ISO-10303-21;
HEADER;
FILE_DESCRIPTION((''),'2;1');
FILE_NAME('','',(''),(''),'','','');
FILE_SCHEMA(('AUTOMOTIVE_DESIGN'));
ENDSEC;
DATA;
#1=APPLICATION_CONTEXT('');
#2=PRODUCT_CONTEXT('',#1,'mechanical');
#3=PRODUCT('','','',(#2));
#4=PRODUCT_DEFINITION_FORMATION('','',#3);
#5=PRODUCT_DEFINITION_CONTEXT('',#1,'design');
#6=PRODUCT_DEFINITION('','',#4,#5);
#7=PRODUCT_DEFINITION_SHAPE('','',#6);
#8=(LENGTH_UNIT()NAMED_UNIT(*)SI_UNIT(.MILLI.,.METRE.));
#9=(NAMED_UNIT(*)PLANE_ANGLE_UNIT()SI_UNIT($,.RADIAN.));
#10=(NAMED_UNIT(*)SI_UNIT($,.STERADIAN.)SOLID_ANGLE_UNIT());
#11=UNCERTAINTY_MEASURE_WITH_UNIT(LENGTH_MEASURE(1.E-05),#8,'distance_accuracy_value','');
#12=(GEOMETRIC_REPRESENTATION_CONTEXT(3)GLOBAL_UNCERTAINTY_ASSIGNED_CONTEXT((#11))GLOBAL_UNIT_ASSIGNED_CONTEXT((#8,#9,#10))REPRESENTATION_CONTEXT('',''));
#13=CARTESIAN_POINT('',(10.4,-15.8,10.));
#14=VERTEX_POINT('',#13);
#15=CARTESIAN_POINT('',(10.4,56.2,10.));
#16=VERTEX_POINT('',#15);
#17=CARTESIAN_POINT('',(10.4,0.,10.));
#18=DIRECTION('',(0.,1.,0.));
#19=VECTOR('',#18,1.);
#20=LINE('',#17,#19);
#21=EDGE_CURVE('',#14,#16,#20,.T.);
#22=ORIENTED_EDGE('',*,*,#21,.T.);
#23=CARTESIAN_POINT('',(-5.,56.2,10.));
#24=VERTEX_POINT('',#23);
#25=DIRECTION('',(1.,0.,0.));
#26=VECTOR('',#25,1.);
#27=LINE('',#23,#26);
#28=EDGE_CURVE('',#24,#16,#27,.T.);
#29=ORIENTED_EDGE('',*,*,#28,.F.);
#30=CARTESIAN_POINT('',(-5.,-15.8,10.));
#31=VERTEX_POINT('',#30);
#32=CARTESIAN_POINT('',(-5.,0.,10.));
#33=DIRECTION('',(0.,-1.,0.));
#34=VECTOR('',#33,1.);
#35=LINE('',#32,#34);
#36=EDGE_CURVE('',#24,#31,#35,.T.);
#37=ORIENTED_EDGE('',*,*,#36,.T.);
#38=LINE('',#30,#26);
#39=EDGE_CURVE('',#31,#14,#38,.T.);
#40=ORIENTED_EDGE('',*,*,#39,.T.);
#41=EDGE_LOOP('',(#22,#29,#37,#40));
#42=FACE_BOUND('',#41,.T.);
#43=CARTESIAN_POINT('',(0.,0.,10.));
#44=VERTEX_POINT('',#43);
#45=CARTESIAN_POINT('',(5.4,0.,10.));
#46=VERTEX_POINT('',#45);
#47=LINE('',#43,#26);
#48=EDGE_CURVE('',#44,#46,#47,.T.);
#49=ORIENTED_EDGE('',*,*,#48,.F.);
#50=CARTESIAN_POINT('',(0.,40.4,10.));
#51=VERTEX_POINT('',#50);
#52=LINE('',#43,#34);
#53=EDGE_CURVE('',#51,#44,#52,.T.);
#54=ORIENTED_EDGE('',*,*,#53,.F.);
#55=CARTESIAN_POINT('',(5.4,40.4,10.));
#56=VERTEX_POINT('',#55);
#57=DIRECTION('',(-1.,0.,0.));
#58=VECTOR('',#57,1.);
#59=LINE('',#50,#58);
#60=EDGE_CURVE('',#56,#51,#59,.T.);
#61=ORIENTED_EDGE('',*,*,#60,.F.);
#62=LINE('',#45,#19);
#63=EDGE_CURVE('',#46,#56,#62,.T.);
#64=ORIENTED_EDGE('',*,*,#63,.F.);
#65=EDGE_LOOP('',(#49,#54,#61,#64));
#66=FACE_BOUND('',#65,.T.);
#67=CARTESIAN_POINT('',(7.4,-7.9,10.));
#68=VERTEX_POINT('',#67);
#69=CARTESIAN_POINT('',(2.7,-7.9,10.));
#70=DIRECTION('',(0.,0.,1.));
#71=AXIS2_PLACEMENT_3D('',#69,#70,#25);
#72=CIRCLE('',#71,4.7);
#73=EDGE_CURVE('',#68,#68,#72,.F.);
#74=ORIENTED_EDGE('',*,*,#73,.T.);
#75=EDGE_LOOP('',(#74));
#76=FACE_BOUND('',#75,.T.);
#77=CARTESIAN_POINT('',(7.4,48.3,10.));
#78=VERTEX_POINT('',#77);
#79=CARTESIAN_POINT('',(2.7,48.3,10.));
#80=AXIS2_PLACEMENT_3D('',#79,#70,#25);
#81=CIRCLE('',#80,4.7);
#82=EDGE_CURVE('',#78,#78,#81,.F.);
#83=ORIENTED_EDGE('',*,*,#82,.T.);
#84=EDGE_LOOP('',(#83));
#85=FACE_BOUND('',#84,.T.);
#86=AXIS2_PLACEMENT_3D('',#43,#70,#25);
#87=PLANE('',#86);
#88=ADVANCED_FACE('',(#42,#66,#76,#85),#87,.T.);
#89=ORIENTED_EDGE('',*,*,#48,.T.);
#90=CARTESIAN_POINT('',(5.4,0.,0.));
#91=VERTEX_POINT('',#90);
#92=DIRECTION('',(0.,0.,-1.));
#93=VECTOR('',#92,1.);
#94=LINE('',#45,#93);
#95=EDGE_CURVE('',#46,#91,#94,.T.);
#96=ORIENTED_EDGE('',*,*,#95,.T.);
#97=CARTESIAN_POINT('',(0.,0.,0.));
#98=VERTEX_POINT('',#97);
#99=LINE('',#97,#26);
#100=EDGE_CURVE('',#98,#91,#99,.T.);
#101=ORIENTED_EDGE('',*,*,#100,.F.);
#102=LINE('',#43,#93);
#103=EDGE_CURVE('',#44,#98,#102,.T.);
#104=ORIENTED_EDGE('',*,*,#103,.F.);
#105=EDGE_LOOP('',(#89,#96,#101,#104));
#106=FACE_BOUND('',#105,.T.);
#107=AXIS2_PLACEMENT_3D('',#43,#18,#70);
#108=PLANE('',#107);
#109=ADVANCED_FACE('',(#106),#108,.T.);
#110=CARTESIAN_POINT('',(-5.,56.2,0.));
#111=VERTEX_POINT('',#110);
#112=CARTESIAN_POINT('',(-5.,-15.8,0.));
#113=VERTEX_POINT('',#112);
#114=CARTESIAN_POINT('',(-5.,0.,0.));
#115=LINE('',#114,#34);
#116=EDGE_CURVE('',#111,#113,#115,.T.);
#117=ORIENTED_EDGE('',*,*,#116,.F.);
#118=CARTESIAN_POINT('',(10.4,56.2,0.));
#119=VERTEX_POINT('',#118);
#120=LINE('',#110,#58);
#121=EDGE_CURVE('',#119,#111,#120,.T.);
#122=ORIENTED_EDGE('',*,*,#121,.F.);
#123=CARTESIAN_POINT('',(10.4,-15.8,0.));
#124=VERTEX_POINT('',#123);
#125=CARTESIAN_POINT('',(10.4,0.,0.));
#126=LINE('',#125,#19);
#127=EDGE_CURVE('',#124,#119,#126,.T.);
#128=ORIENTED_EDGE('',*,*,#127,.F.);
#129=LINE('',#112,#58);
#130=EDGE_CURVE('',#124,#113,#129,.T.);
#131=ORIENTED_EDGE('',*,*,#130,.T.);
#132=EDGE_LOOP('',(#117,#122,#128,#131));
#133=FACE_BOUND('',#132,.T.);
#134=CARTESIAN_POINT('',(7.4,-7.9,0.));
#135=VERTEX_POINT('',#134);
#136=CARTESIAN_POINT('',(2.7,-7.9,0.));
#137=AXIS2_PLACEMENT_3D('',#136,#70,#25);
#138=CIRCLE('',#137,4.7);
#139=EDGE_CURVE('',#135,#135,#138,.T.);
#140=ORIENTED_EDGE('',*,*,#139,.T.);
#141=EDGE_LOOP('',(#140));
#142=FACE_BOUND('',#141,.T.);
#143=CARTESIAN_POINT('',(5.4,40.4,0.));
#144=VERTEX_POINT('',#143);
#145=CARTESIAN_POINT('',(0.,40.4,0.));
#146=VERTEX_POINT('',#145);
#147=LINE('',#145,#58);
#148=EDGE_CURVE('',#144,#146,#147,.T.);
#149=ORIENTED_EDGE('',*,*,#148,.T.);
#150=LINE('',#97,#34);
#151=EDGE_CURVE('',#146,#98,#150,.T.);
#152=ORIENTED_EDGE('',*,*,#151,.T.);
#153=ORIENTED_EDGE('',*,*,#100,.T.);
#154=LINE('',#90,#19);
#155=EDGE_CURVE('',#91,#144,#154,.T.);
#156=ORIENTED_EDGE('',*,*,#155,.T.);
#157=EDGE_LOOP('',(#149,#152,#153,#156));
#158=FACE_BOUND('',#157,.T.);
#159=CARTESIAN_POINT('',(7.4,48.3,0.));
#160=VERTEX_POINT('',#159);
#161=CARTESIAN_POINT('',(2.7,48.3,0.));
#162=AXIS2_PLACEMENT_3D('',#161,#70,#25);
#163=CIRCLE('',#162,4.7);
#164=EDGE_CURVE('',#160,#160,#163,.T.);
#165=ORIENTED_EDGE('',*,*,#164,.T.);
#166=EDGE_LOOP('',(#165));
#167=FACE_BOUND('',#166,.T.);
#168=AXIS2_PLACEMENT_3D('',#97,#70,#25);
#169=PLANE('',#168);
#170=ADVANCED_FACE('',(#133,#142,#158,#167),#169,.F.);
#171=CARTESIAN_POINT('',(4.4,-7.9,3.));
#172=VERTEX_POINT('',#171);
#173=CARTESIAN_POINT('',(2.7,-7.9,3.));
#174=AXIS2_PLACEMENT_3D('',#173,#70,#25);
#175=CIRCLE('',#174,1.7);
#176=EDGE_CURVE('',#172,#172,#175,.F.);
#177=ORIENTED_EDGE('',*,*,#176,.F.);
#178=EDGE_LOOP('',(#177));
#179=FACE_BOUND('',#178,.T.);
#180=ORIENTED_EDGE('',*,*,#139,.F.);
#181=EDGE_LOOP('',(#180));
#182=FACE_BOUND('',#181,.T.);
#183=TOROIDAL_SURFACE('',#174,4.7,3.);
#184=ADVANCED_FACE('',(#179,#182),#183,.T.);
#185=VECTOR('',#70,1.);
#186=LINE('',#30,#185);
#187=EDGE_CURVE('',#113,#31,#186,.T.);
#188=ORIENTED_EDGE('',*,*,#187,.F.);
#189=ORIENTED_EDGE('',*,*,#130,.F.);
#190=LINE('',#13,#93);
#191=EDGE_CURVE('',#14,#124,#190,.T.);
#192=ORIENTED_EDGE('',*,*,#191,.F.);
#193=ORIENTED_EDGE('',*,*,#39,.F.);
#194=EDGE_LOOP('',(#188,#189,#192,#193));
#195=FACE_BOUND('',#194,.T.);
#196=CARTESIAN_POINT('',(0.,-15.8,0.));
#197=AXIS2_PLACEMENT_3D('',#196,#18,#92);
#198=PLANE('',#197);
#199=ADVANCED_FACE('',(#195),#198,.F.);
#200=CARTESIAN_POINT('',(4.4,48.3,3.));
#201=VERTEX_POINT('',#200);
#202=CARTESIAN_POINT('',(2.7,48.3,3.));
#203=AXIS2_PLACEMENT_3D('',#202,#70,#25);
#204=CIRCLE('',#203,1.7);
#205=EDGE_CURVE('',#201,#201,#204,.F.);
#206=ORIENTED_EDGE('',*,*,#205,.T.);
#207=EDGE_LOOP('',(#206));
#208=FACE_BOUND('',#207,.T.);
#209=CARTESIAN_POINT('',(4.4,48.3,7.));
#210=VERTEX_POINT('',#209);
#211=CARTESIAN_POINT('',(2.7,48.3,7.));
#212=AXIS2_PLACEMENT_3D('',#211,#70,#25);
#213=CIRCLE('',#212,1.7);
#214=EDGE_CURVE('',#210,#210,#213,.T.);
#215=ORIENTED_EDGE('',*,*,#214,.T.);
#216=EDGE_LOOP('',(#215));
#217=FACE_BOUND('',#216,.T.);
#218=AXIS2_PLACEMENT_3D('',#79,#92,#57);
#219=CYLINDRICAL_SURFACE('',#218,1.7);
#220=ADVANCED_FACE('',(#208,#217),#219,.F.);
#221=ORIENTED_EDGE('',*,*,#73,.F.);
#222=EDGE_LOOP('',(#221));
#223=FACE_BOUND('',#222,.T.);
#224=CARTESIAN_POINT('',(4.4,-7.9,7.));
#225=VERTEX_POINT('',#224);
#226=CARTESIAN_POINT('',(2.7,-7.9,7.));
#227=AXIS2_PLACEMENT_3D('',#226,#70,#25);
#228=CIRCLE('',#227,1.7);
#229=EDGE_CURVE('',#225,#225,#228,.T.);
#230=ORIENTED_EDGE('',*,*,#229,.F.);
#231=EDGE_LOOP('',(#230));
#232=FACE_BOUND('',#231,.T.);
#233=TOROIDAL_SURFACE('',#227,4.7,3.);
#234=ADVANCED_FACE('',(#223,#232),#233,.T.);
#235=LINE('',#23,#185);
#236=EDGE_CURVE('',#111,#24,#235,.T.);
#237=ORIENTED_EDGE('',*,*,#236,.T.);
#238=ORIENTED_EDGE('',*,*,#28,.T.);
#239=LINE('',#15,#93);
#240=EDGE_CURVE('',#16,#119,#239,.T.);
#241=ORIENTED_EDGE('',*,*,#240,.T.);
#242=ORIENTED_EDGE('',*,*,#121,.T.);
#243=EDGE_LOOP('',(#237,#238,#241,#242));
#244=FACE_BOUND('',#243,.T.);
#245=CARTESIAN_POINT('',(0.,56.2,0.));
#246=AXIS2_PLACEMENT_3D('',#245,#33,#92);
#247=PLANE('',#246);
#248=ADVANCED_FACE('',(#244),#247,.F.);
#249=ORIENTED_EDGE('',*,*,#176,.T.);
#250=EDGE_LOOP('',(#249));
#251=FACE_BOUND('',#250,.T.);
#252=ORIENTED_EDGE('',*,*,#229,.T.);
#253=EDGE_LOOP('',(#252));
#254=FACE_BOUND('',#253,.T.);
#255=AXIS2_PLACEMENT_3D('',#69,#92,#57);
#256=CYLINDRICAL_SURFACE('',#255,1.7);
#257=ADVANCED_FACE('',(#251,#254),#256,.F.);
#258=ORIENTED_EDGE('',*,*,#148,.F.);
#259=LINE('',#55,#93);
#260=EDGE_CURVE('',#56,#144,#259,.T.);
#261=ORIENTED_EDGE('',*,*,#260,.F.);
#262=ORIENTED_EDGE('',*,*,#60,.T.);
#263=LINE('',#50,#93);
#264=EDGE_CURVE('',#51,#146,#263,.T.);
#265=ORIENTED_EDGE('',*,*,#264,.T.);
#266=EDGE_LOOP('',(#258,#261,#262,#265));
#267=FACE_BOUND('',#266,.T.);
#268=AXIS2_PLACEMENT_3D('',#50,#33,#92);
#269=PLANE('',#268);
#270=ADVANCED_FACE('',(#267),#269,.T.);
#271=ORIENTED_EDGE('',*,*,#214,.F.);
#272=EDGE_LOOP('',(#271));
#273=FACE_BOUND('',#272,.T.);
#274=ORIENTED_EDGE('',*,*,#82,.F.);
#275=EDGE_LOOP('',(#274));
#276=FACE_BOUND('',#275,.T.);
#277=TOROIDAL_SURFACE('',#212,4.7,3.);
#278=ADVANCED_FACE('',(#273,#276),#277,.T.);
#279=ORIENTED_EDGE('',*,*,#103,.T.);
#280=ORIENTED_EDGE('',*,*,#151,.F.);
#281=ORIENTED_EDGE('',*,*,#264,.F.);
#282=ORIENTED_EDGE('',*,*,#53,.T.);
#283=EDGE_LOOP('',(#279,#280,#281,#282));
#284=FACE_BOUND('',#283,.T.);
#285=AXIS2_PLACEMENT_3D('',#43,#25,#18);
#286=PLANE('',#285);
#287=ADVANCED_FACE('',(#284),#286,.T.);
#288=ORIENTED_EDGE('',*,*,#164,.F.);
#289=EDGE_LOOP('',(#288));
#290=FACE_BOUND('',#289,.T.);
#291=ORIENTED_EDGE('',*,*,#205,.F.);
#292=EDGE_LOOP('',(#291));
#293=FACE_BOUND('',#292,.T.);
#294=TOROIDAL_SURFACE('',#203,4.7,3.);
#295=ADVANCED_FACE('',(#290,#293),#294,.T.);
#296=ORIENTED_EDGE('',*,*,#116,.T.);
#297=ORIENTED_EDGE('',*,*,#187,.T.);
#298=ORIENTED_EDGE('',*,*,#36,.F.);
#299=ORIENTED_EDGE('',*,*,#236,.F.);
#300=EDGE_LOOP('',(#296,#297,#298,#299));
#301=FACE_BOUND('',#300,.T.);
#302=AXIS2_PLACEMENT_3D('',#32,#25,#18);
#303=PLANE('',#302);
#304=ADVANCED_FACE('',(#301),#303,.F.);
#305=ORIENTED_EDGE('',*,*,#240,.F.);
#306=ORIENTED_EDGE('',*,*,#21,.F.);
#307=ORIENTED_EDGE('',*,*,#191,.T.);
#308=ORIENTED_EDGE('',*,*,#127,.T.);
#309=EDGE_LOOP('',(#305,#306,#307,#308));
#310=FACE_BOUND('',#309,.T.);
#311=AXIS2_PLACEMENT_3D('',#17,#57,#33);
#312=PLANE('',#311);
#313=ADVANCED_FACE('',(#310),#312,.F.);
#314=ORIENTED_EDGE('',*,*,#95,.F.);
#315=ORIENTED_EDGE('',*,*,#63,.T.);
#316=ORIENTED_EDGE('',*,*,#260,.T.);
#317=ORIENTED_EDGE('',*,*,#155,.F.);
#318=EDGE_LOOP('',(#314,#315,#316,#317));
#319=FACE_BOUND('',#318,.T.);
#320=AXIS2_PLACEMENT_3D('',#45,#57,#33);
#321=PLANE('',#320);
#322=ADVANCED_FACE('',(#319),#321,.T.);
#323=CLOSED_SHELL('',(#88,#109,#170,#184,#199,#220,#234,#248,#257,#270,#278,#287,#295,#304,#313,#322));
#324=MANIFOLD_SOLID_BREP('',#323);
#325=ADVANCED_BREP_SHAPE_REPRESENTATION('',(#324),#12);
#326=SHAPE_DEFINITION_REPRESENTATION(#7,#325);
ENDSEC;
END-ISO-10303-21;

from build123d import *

# Parameters (mm, degrees)
SKETCH1_W           = 15.4
SKETCH1_H           = 50.4
SKETCH1_W_2         = 5.4
SKETCH1_H_2         = 40.4
EXTRUDE_THIN1_DEPTH = 10
SKETCH2_W           = 15.4
SKETCH2_H           = 10
BOSS_EXTRUDE1_DEPTH = 10.8
SKETCH3_R           = 1.7
CUT_EXTRUDE1_DEPTH  = 59.022409464
FILLET1_R           = 3


with BuildPart() as part:
    # Sketch1 → Extrude-Thin1 (new body)
    with BuildSketch(Plane.XY):
        with Locations((2.7, 20.2)):
            Rectangle(SKETCH1_W, SKETCH1_H)
        with Locations((2.7, 20.2)):
            Rectangle(SKETCH1_W_2, SKETCH1_H_2, mode=Mode.SUBTRACT)
    extrude(amount=EXTRUDE_THIN1_DEPTH)

    # Sketch2 → Boss-Extrude1 (add)
    with BuildSketch(Plane(origin=(0, 45.4, 0), x_dir=(1, 0, 0), z_dir=(0, 1, 0))):
        with Locations((2.7, -5)):
            Rectangle(SKETCH2_W, SKETCH2_H)
    boss_extrude1 = extrude(amount=BOSS_EXTRUDE1_DEPTH)

    # Mirror1: Boss-Extrude1 across plane
    add(boss_extrude1.mirror(Plane.ZX.offset(20.2)))

    # Sketch3 → Cut-Extrude1 (cut, through all)
    with BuildSketch(Plane(origin=(0, 0, 0), x_dir=(-1, 0, 0), z_dir=(0, 0, -1))):
        with Locations((-2.7, 48.3)):
            Circle(SKETCH3_R)
    cut_extrude1 = extrude(amount=-CUT_EXTRUDE1_DEPTH, mode=Mode.SUBTRACT)

    # Mirror2: Cut-Extrude1 across plane
    add(cut_extrude1.mirror(Plane.ZX.offset(20.2)), mode=Mode.SUBTRACT)

    # Fillet1
    fillet1_edges = [part.edges().sort_by_distance(p)[0] for p in [
        (4.4, 48.3, 10),
        (4.4, 48.3, 0),
        (4.4, -7.9, 0),
        (4.4, -7.9, 10),
    ]]
    fillet(fillet1_edges, radius=FILLET1_R)


solid = part.part
